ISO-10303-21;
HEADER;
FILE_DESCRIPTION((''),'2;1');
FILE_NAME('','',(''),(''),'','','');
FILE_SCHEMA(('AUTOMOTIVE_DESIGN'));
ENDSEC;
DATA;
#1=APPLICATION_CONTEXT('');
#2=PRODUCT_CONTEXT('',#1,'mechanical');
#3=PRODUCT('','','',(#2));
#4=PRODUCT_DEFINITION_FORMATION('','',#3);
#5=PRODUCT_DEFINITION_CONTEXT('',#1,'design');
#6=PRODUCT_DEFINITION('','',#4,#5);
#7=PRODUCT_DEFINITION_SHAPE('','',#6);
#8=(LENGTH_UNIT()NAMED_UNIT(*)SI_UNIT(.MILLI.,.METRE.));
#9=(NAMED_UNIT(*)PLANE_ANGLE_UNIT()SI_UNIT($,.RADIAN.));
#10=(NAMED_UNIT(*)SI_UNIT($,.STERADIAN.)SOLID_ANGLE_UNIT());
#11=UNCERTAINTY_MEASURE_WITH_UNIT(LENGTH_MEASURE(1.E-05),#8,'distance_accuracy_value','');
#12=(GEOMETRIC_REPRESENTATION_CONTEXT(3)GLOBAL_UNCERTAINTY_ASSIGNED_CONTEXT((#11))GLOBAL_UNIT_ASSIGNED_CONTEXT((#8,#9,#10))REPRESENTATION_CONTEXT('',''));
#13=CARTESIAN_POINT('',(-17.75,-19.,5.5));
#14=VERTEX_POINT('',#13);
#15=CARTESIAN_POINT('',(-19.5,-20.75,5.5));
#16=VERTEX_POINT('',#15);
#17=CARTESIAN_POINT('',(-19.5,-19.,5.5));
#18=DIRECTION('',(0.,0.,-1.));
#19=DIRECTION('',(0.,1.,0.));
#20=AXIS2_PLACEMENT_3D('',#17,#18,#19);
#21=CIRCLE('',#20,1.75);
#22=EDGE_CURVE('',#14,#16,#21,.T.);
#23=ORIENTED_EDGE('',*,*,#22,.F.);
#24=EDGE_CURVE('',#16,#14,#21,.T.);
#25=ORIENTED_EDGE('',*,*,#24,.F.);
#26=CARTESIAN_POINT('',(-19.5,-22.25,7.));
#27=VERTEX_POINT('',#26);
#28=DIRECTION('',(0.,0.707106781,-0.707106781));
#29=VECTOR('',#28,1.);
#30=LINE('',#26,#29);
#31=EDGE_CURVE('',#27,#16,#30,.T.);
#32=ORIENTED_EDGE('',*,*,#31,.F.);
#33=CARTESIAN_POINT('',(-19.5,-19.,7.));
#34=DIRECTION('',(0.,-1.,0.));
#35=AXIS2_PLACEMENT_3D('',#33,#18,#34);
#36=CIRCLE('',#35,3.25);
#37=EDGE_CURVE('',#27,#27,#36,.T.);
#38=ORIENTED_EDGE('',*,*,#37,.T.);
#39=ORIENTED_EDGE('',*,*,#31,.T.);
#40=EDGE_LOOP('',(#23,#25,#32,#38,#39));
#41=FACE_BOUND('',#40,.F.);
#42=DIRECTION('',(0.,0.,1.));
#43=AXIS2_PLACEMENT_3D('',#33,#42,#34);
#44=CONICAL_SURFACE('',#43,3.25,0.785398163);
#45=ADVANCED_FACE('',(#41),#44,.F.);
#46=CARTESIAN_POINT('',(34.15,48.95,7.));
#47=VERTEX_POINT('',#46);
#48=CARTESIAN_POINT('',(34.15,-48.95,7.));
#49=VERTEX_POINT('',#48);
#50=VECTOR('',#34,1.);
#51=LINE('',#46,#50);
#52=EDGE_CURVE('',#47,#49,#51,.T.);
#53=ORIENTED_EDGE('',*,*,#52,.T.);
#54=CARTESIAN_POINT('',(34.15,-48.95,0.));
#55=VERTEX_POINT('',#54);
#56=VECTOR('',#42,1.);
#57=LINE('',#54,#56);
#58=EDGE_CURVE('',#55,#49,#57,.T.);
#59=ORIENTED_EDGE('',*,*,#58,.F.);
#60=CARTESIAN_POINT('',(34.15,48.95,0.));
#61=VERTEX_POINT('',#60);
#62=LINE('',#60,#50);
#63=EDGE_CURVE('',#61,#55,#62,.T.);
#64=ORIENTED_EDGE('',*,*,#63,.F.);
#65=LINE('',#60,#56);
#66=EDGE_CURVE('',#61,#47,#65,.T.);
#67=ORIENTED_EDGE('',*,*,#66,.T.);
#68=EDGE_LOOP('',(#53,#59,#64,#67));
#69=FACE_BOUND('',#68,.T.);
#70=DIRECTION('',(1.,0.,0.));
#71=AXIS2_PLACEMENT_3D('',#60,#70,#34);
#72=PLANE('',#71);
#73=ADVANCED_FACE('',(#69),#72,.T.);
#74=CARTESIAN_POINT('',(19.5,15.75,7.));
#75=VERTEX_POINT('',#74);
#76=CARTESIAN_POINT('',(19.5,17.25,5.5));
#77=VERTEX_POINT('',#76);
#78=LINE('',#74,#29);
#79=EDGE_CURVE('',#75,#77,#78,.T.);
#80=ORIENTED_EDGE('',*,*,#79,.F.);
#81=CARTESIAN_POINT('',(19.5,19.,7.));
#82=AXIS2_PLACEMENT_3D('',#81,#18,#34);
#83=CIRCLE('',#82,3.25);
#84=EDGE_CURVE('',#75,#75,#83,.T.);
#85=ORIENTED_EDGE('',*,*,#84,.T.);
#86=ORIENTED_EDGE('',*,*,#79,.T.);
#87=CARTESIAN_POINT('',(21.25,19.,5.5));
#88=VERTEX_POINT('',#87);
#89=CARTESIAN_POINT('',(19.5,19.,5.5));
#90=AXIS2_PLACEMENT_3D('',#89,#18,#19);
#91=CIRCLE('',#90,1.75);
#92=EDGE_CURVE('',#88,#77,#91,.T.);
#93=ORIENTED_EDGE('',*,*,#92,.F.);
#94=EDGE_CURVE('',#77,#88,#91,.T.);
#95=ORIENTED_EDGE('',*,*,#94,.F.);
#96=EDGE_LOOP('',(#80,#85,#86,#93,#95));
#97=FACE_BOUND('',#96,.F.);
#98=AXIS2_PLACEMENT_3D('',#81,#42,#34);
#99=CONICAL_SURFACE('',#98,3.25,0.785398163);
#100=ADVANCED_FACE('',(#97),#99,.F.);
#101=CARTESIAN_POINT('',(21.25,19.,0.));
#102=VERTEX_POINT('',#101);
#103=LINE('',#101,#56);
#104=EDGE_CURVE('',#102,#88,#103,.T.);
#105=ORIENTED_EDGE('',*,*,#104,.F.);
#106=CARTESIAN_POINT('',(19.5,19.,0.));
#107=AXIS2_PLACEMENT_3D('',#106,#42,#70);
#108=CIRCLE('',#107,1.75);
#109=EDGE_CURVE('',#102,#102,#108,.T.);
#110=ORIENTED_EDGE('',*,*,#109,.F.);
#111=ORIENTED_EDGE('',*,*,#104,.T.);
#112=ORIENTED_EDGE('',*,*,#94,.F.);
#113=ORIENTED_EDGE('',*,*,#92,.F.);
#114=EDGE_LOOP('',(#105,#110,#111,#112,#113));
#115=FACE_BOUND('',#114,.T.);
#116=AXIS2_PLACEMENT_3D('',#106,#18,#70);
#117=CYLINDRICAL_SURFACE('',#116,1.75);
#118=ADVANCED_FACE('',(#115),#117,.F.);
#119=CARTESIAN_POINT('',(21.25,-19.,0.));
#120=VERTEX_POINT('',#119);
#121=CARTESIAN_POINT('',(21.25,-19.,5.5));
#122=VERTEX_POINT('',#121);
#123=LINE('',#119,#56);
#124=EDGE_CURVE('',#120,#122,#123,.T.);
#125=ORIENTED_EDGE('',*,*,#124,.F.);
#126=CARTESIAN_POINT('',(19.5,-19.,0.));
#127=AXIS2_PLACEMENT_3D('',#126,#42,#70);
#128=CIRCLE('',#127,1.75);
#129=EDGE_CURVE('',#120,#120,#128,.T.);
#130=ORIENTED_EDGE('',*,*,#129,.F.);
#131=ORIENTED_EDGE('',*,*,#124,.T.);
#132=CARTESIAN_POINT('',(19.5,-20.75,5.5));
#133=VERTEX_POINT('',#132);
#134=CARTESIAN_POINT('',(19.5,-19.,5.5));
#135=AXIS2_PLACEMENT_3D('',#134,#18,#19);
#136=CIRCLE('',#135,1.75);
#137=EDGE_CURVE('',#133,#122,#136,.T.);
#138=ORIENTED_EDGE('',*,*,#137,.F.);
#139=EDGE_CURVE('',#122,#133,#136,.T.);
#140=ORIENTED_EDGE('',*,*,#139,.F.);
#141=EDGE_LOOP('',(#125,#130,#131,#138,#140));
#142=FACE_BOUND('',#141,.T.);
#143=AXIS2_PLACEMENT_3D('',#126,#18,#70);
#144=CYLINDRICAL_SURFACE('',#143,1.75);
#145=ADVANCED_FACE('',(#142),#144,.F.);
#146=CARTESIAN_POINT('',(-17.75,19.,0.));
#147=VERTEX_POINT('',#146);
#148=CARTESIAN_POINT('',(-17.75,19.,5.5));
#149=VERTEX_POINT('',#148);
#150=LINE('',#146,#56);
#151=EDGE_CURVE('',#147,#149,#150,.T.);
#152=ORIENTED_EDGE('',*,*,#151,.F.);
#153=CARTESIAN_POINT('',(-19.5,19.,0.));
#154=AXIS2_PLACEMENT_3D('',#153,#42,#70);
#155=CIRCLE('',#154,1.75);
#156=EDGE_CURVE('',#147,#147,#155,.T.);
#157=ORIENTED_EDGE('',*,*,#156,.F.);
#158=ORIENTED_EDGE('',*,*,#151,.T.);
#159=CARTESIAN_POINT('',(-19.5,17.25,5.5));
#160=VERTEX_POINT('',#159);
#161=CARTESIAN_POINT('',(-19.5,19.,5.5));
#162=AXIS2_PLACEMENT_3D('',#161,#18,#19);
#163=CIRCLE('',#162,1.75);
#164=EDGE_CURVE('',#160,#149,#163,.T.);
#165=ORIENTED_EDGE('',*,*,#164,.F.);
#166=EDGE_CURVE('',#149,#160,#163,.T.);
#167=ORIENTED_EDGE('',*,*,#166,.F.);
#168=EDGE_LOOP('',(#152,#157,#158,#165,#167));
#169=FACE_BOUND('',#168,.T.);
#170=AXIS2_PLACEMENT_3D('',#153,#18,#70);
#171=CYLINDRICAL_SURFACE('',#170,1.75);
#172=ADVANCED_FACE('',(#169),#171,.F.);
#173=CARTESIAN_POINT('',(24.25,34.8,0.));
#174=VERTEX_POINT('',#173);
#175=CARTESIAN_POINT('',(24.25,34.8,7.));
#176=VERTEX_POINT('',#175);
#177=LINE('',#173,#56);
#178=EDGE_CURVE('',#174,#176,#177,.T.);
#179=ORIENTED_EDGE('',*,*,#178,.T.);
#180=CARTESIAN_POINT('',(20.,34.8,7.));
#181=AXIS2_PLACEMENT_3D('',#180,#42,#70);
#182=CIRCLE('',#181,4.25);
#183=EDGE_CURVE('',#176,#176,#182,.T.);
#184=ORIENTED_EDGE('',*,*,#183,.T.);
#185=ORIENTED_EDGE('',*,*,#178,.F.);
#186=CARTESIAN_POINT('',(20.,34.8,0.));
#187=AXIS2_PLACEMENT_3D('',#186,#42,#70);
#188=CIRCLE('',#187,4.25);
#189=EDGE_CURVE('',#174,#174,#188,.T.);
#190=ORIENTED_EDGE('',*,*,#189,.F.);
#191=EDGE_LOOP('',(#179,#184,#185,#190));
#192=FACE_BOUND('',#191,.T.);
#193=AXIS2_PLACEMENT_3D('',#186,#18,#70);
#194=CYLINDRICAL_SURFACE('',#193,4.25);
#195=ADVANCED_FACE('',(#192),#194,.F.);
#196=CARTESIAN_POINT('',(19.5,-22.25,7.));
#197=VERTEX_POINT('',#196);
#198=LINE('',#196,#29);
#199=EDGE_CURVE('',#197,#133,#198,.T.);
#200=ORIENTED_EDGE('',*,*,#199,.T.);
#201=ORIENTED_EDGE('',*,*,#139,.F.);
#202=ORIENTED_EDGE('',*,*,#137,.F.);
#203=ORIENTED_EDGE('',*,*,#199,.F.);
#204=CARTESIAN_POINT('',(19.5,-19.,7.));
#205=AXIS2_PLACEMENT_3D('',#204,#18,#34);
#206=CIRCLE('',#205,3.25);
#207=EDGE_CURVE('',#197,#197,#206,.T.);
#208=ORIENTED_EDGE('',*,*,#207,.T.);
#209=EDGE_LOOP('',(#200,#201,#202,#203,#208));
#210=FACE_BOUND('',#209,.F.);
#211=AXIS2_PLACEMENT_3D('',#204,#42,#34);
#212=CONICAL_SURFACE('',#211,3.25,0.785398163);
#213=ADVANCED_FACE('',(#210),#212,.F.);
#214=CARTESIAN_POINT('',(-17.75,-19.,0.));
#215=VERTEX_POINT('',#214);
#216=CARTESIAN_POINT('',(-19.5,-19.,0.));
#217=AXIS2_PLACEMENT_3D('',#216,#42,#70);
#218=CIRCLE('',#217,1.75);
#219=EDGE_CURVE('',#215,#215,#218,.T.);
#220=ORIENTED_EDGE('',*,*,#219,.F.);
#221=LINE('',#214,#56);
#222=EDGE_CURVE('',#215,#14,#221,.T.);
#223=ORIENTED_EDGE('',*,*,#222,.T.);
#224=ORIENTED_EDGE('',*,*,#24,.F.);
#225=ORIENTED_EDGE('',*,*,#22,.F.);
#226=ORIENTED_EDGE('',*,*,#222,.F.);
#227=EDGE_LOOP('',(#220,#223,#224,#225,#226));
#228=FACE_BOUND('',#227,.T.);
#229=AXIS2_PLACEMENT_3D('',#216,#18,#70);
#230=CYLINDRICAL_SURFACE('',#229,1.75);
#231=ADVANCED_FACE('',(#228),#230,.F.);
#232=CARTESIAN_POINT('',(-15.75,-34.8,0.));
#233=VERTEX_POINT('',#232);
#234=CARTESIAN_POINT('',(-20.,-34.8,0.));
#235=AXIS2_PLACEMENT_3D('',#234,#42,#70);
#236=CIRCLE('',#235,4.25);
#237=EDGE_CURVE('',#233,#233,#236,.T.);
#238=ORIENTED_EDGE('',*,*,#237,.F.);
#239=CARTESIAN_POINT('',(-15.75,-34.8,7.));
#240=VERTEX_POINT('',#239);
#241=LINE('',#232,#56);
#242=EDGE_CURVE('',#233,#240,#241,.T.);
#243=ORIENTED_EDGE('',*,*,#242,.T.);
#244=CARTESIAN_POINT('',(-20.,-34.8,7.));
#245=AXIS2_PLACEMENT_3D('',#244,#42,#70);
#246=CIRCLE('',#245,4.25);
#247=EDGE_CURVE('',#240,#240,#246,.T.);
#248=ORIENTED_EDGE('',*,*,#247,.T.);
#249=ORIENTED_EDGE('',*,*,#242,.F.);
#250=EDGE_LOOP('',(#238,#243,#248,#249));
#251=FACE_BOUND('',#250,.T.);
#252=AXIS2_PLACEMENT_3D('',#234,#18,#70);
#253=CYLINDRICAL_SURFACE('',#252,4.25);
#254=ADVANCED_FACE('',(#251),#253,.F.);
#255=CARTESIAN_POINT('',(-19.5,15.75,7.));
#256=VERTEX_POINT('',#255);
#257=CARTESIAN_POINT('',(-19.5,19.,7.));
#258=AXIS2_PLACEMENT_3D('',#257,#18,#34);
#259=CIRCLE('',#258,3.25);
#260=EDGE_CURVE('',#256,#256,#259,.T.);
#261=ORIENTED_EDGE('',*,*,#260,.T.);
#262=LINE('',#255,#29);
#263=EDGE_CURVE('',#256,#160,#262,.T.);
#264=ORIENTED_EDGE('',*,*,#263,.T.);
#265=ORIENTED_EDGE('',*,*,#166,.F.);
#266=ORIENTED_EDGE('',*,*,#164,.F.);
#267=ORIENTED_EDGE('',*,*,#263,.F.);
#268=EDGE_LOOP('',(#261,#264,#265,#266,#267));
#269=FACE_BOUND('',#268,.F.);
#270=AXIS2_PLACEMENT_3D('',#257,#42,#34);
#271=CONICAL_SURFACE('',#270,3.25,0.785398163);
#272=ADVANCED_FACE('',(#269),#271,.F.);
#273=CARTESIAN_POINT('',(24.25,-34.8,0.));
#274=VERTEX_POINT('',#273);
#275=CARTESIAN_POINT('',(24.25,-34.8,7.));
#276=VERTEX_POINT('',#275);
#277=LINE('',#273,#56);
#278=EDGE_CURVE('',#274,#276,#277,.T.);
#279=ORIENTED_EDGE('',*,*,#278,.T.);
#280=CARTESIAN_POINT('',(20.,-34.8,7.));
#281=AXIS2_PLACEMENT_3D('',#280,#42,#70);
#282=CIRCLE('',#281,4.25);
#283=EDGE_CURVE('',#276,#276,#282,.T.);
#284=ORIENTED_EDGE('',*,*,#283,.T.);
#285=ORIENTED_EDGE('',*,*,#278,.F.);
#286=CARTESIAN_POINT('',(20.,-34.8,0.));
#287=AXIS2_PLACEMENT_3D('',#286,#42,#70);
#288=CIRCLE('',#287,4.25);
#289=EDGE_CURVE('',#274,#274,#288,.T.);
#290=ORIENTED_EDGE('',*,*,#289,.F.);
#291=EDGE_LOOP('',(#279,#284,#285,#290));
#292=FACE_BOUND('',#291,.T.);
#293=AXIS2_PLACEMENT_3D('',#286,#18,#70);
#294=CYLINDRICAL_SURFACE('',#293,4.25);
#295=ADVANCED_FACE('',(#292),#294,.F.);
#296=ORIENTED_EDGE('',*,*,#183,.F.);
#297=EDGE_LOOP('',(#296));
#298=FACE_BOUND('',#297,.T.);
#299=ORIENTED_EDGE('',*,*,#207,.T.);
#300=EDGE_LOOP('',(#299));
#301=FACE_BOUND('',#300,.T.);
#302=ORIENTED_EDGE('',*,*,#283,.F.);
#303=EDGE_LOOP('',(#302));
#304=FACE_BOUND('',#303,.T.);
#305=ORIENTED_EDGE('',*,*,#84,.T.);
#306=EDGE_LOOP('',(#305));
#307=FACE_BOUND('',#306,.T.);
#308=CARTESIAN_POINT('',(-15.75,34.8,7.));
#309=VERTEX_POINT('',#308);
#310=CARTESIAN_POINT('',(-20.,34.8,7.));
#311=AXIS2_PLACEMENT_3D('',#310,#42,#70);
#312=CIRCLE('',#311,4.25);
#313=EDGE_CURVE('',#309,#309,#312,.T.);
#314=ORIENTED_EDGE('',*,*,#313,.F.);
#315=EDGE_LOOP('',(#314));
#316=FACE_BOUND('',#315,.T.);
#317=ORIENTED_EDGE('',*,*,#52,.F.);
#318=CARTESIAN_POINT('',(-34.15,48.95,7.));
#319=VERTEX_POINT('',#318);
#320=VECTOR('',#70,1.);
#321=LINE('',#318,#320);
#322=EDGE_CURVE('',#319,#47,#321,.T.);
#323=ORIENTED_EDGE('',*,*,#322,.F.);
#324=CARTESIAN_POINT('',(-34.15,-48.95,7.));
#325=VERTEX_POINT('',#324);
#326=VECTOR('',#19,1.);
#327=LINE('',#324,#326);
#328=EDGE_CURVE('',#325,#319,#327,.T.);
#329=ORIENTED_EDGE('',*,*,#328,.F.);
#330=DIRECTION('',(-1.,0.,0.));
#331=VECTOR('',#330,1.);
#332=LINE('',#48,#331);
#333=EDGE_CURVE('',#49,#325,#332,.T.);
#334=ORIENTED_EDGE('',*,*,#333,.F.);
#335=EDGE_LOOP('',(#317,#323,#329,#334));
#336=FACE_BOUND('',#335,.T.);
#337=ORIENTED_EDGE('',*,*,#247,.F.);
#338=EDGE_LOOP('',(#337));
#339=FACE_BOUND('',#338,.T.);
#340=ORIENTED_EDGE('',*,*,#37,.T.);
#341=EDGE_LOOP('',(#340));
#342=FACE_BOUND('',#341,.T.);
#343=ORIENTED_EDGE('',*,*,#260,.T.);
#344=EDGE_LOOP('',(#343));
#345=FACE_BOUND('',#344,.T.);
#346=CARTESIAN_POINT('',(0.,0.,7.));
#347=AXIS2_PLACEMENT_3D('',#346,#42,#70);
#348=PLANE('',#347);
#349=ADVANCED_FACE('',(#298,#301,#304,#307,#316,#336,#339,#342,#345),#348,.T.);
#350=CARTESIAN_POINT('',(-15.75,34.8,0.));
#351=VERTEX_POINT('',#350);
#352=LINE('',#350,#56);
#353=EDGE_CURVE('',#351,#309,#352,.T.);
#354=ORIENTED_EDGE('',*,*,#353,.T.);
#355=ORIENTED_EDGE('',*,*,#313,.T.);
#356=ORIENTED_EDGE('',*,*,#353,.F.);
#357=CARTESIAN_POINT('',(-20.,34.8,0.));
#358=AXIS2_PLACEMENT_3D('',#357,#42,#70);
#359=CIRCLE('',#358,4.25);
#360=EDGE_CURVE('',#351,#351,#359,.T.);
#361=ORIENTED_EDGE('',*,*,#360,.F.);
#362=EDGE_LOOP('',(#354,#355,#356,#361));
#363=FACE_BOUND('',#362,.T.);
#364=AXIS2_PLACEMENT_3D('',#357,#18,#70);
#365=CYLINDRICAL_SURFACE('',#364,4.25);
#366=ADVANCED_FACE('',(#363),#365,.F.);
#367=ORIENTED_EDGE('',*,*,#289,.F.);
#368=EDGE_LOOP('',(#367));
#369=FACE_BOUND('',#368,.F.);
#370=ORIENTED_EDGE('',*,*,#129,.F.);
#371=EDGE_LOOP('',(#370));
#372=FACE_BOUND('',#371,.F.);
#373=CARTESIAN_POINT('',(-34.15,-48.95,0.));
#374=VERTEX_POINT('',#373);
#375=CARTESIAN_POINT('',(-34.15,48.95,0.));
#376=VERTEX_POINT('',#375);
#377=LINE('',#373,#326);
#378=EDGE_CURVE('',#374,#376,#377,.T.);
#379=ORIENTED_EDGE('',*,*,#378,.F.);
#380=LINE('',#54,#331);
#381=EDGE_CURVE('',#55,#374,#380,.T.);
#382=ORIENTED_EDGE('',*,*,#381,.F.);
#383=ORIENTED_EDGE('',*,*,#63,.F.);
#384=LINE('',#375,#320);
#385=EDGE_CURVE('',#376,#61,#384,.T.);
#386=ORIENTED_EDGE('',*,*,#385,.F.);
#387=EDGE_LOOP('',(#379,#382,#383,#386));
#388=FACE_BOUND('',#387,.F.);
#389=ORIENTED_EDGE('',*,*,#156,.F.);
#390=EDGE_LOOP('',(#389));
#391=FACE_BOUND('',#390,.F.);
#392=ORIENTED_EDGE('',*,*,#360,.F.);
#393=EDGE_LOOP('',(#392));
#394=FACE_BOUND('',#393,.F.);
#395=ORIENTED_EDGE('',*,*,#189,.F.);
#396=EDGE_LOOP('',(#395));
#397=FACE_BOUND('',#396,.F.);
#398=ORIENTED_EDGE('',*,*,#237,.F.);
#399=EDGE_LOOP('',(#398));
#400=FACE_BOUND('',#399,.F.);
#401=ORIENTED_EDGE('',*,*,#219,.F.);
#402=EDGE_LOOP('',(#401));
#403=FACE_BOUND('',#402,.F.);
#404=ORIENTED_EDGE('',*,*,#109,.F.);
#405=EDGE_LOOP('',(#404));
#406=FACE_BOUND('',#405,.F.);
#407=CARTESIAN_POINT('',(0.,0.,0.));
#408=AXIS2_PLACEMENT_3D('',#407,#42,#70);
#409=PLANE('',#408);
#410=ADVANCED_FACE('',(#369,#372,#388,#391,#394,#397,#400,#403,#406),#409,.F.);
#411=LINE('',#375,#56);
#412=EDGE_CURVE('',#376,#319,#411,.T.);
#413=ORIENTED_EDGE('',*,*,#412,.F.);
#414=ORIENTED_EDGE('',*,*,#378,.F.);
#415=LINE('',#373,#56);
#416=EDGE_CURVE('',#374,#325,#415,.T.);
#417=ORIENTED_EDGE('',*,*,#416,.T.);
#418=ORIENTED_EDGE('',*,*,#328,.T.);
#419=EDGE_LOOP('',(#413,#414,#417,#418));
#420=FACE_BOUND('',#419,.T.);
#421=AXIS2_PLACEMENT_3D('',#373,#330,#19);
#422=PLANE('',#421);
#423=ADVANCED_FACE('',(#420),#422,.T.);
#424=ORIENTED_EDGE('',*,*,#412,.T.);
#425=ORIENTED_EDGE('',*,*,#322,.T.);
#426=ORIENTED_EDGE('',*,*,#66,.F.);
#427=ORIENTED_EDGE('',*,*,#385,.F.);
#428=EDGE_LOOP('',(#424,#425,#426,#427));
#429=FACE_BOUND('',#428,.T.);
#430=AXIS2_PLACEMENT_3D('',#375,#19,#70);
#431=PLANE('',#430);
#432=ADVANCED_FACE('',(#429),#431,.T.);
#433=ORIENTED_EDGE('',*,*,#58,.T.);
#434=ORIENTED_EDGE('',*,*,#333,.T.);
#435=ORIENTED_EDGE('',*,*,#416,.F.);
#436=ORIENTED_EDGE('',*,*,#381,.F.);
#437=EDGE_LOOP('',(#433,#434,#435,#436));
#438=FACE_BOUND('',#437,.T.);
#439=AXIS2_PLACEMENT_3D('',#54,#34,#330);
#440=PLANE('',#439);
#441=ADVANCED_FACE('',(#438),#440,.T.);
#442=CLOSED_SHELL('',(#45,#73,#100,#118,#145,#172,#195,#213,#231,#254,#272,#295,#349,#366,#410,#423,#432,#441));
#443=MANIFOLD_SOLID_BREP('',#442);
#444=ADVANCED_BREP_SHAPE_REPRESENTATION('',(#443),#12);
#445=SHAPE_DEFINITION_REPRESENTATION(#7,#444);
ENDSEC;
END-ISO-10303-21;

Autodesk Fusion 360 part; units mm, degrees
sketch "Sketch1" plane through (0, 0, 0) normal (0, 0, 1) x (1, 0, 0)
  line L0 (-34.15, 48.95) -> (34.15, 48.95)
  line L1 (34.15, 48.95) -> (34.15, -48.95)
  line L2 (34.15, -48.95) -> (-34.15, -48.95)
  line L3 (-34.15, -48.95) -> (-34.15, 48.95)
  line L4 (-34.15, 48.95) -> (34.15, -48.95) construction
  line L5 (34.15, 48.95) -> (-34.15, -48.95) construction
  line L6 (19.5, 19) -> (-19.5, 19) construction
  line L7 (-19.5, 19) -> (-19.5, -19) construction
  line L8 (-19.5, -19) -> (19.5, -19) construction
  line L9 (19.5, -19) -> (19.5, 19) construction
  line L10 (19.5, 19) -> (-19.5, -19) construction
  line L11 (-19.5, 19) -> (19.5, -19) construction
  circle A0 centre (-19.5, 19) radius 1.75
  circle A1 centre (19.5, 19) radius 1.75
  circle A2 centre (19.5, -19) radius 1.75
  circle A3 centre (-19.5, -19) radius 1.75
  line L12 (0, 1.75) -> (0, 22.5)
  line L13 (1.75, 0) -> (22.5, 0)
  line L14 (20, 34.8) -> (-20, 34.8) construction
  line L15 (-20, 34.8) -> (-20, -34.8) construction
  line L16 (-20, -34.8) -> (20, -34.8) construction
  line L17 (20, -34.8) -> (20, 34.8) construction
  line L18 (20, 34.8) -> (-20, -34.8) construction
  line L19 (-20, 34.8) -> (20, -34.8) construction
  circle A4 centre (-20, 34.8) radius 4.25
  circle A5 centre (20, 34.8) radius 4.25
  circle A6 centre (20, -34.8) radius 4.25
  circle A7 centre (-20, -34.8) radius 4.25
  dimension "d3" = 39
  dimension "d4" = 38
  dimension "d5" = 3.5
  dimension "d10" = 40
  dimension "d11" = 8.5
  dimension "d12" = 15.8
  dimension "d13" = 14.15
  dimension "d16" = 68.3
extrude "Extrude2" add sketch "Sketch1" along normal blind 7
sketch "Sketch2" plane through (0, 0, 7) normal (0, 0, 1) x (-1, 0, 0)
  circle A0 centre (-19.5, 19) radius 1.75
  circle A1 centre (19.5, 19) radius 1.75
  circle A2 centre (19.5, -19) radius 1.75
  circle A3 centre (-19.5, -19) radius 1.75
  circle A4 centre (20, -34.8) radius 4.25
  circle A5 centre (-20, -34.8) radius 4.25
  circle A6 centre (-20, 34.8) radius 4.25
  circle A7 centre (20, 34.8) radius 4.25
  line L0 (34.15, 48.95) -> (-34.15, 48.95)
  line L1 (-34.15, 48.95) -> (-34.15, -48.95)
  line L2 (-34.15, -48.95) -> (34.15, -48.95)
  line L3 (34.15, -48.95) -> (34.15, 48.95)
  circle A8 centre (19.5, 19) radius 3
  circle A9 centre (-19.5, 19) radius 3
  circle A10 centre (-19.5, -19) radius 3
  circle A11 centre (19.5, -19) radius 3
  dimension "d17" = 6
hole "Hole1" at (19.5, 19, 7) direction (0, 0, -1) diameter 3 depth 10 tip angle 118 countersink diameter 6.5 countersink angle 90
hole "Hole2" at (-19.5, 19, 7) direction (0, 0, -1) diameter 3 depth 16 tip angle 118 countersink diameter 6.5 countersink angle 90
hole "Hole3" at (-19.5, -19, 7) direction (0, 0, -1) diameter 3 depth 16 tip angle 118 countersink diameter 6.5 countersink angle 90
hole "Hole4" at (19.5, -19, 7) direction (0, 0, -1) diameter 3 depth 16 tip angle 118 countersink diameter 6.5 countersink angle 90
equation "d12 = 10 mm + ( 3.3 / 2 ) * 1 mm + ( 8.3 / 2 ) * 1 mm"
equation "d13 = 10 mm + ( 8.3 / 2 ) * 1 mm"
equation "d16 = 40 mm + 8.3 mm + 20 mm"
